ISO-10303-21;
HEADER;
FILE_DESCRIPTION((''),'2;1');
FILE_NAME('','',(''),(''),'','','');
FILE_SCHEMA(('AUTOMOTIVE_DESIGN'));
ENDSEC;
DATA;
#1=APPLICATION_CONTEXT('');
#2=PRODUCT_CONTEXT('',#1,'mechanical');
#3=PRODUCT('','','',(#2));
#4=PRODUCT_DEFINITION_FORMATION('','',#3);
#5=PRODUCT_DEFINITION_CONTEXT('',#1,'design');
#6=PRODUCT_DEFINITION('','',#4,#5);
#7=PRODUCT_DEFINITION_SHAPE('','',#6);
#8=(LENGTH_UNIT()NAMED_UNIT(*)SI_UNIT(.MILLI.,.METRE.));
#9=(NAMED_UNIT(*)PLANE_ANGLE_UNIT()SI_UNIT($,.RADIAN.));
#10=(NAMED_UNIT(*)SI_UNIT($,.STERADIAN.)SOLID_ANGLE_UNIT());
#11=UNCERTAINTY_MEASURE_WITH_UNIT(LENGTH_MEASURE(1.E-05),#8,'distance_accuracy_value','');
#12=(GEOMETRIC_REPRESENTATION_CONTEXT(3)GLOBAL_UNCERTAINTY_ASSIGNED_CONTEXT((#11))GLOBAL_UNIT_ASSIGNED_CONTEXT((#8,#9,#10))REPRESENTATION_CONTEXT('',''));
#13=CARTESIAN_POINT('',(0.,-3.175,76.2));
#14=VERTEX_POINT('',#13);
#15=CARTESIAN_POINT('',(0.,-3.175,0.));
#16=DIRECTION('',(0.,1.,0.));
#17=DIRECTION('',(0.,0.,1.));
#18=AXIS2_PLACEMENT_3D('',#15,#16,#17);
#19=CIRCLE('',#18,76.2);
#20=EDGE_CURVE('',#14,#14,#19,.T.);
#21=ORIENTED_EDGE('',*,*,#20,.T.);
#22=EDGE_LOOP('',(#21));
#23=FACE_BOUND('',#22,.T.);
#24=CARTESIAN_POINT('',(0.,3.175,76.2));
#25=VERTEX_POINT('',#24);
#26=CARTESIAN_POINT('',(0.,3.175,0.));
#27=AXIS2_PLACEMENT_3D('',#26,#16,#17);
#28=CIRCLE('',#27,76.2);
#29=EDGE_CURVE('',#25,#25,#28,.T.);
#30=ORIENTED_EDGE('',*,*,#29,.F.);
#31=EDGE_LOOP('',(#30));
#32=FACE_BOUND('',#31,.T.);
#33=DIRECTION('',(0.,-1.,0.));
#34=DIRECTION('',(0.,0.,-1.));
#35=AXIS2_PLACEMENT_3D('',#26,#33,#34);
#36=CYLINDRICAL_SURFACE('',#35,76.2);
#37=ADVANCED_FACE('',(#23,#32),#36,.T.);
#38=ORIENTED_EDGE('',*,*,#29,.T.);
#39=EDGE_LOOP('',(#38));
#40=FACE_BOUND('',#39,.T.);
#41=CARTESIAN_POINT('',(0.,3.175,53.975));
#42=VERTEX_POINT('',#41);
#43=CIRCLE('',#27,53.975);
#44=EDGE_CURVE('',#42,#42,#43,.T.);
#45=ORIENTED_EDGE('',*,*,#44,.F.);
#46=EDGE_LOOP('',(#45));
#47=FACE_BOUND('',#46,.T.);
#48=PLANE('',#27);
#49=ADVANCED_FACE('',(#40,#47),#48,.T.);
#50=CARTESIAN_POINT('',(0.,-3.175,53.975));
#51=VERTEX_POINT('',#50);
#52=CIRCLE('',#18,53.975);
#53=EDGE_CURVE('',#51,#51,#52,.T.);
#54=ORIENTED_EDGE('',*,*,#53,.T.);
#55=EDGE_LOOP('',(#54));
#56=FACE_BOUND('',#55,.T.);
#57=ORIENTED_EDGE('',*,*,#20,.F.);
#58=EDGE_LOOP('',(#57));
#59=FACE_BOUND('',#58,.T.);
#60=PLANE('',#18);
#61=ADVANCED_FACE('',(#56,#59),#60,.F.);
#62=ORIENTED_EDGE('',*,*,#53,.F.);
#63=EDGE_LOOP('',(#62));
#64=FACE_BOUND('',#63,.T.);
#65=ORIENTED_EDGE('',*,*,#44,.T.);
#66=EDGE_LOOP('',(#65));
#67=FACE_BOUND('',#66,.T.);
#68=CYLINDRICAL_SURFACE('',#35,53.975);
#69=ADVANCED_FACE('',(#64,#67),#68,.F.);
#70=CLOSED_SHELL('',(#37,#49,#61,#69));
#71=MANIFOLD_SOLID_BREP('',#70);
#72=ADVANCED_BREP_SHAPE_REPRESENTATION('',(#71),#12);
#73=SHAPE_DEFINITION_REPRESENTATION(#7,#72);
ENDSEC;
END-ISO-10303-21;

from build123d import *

# Parameters (mm, degrees)
SKETCH1_R           = 76.2
SKETCH1_R_2         = 53.975
BOSS_EXTRUDE1_DEPTH = 3.175


with BuildPart() as part:
    # Sketch1 → Boss-Extrude1 (new, symmetric)
    with BuildSketch(Plane(origin=(0, 0, 0), x_dir=(1, 0, 0), z_dir=(0, 1, 0))):
        with Locations(Location((0, 0, 0), (0, 0, 270))):
            Circle(SKETCH1_R)
        with Locations(Location((0, 0, 0), (0, 0, 270))):
            Circle(SKETCH1_R_2, mode=Mode.SUBTRACT)
    extrude(amount=BOSS_EXTRUDE1_DEPTH, both=True)


solid = part.part
